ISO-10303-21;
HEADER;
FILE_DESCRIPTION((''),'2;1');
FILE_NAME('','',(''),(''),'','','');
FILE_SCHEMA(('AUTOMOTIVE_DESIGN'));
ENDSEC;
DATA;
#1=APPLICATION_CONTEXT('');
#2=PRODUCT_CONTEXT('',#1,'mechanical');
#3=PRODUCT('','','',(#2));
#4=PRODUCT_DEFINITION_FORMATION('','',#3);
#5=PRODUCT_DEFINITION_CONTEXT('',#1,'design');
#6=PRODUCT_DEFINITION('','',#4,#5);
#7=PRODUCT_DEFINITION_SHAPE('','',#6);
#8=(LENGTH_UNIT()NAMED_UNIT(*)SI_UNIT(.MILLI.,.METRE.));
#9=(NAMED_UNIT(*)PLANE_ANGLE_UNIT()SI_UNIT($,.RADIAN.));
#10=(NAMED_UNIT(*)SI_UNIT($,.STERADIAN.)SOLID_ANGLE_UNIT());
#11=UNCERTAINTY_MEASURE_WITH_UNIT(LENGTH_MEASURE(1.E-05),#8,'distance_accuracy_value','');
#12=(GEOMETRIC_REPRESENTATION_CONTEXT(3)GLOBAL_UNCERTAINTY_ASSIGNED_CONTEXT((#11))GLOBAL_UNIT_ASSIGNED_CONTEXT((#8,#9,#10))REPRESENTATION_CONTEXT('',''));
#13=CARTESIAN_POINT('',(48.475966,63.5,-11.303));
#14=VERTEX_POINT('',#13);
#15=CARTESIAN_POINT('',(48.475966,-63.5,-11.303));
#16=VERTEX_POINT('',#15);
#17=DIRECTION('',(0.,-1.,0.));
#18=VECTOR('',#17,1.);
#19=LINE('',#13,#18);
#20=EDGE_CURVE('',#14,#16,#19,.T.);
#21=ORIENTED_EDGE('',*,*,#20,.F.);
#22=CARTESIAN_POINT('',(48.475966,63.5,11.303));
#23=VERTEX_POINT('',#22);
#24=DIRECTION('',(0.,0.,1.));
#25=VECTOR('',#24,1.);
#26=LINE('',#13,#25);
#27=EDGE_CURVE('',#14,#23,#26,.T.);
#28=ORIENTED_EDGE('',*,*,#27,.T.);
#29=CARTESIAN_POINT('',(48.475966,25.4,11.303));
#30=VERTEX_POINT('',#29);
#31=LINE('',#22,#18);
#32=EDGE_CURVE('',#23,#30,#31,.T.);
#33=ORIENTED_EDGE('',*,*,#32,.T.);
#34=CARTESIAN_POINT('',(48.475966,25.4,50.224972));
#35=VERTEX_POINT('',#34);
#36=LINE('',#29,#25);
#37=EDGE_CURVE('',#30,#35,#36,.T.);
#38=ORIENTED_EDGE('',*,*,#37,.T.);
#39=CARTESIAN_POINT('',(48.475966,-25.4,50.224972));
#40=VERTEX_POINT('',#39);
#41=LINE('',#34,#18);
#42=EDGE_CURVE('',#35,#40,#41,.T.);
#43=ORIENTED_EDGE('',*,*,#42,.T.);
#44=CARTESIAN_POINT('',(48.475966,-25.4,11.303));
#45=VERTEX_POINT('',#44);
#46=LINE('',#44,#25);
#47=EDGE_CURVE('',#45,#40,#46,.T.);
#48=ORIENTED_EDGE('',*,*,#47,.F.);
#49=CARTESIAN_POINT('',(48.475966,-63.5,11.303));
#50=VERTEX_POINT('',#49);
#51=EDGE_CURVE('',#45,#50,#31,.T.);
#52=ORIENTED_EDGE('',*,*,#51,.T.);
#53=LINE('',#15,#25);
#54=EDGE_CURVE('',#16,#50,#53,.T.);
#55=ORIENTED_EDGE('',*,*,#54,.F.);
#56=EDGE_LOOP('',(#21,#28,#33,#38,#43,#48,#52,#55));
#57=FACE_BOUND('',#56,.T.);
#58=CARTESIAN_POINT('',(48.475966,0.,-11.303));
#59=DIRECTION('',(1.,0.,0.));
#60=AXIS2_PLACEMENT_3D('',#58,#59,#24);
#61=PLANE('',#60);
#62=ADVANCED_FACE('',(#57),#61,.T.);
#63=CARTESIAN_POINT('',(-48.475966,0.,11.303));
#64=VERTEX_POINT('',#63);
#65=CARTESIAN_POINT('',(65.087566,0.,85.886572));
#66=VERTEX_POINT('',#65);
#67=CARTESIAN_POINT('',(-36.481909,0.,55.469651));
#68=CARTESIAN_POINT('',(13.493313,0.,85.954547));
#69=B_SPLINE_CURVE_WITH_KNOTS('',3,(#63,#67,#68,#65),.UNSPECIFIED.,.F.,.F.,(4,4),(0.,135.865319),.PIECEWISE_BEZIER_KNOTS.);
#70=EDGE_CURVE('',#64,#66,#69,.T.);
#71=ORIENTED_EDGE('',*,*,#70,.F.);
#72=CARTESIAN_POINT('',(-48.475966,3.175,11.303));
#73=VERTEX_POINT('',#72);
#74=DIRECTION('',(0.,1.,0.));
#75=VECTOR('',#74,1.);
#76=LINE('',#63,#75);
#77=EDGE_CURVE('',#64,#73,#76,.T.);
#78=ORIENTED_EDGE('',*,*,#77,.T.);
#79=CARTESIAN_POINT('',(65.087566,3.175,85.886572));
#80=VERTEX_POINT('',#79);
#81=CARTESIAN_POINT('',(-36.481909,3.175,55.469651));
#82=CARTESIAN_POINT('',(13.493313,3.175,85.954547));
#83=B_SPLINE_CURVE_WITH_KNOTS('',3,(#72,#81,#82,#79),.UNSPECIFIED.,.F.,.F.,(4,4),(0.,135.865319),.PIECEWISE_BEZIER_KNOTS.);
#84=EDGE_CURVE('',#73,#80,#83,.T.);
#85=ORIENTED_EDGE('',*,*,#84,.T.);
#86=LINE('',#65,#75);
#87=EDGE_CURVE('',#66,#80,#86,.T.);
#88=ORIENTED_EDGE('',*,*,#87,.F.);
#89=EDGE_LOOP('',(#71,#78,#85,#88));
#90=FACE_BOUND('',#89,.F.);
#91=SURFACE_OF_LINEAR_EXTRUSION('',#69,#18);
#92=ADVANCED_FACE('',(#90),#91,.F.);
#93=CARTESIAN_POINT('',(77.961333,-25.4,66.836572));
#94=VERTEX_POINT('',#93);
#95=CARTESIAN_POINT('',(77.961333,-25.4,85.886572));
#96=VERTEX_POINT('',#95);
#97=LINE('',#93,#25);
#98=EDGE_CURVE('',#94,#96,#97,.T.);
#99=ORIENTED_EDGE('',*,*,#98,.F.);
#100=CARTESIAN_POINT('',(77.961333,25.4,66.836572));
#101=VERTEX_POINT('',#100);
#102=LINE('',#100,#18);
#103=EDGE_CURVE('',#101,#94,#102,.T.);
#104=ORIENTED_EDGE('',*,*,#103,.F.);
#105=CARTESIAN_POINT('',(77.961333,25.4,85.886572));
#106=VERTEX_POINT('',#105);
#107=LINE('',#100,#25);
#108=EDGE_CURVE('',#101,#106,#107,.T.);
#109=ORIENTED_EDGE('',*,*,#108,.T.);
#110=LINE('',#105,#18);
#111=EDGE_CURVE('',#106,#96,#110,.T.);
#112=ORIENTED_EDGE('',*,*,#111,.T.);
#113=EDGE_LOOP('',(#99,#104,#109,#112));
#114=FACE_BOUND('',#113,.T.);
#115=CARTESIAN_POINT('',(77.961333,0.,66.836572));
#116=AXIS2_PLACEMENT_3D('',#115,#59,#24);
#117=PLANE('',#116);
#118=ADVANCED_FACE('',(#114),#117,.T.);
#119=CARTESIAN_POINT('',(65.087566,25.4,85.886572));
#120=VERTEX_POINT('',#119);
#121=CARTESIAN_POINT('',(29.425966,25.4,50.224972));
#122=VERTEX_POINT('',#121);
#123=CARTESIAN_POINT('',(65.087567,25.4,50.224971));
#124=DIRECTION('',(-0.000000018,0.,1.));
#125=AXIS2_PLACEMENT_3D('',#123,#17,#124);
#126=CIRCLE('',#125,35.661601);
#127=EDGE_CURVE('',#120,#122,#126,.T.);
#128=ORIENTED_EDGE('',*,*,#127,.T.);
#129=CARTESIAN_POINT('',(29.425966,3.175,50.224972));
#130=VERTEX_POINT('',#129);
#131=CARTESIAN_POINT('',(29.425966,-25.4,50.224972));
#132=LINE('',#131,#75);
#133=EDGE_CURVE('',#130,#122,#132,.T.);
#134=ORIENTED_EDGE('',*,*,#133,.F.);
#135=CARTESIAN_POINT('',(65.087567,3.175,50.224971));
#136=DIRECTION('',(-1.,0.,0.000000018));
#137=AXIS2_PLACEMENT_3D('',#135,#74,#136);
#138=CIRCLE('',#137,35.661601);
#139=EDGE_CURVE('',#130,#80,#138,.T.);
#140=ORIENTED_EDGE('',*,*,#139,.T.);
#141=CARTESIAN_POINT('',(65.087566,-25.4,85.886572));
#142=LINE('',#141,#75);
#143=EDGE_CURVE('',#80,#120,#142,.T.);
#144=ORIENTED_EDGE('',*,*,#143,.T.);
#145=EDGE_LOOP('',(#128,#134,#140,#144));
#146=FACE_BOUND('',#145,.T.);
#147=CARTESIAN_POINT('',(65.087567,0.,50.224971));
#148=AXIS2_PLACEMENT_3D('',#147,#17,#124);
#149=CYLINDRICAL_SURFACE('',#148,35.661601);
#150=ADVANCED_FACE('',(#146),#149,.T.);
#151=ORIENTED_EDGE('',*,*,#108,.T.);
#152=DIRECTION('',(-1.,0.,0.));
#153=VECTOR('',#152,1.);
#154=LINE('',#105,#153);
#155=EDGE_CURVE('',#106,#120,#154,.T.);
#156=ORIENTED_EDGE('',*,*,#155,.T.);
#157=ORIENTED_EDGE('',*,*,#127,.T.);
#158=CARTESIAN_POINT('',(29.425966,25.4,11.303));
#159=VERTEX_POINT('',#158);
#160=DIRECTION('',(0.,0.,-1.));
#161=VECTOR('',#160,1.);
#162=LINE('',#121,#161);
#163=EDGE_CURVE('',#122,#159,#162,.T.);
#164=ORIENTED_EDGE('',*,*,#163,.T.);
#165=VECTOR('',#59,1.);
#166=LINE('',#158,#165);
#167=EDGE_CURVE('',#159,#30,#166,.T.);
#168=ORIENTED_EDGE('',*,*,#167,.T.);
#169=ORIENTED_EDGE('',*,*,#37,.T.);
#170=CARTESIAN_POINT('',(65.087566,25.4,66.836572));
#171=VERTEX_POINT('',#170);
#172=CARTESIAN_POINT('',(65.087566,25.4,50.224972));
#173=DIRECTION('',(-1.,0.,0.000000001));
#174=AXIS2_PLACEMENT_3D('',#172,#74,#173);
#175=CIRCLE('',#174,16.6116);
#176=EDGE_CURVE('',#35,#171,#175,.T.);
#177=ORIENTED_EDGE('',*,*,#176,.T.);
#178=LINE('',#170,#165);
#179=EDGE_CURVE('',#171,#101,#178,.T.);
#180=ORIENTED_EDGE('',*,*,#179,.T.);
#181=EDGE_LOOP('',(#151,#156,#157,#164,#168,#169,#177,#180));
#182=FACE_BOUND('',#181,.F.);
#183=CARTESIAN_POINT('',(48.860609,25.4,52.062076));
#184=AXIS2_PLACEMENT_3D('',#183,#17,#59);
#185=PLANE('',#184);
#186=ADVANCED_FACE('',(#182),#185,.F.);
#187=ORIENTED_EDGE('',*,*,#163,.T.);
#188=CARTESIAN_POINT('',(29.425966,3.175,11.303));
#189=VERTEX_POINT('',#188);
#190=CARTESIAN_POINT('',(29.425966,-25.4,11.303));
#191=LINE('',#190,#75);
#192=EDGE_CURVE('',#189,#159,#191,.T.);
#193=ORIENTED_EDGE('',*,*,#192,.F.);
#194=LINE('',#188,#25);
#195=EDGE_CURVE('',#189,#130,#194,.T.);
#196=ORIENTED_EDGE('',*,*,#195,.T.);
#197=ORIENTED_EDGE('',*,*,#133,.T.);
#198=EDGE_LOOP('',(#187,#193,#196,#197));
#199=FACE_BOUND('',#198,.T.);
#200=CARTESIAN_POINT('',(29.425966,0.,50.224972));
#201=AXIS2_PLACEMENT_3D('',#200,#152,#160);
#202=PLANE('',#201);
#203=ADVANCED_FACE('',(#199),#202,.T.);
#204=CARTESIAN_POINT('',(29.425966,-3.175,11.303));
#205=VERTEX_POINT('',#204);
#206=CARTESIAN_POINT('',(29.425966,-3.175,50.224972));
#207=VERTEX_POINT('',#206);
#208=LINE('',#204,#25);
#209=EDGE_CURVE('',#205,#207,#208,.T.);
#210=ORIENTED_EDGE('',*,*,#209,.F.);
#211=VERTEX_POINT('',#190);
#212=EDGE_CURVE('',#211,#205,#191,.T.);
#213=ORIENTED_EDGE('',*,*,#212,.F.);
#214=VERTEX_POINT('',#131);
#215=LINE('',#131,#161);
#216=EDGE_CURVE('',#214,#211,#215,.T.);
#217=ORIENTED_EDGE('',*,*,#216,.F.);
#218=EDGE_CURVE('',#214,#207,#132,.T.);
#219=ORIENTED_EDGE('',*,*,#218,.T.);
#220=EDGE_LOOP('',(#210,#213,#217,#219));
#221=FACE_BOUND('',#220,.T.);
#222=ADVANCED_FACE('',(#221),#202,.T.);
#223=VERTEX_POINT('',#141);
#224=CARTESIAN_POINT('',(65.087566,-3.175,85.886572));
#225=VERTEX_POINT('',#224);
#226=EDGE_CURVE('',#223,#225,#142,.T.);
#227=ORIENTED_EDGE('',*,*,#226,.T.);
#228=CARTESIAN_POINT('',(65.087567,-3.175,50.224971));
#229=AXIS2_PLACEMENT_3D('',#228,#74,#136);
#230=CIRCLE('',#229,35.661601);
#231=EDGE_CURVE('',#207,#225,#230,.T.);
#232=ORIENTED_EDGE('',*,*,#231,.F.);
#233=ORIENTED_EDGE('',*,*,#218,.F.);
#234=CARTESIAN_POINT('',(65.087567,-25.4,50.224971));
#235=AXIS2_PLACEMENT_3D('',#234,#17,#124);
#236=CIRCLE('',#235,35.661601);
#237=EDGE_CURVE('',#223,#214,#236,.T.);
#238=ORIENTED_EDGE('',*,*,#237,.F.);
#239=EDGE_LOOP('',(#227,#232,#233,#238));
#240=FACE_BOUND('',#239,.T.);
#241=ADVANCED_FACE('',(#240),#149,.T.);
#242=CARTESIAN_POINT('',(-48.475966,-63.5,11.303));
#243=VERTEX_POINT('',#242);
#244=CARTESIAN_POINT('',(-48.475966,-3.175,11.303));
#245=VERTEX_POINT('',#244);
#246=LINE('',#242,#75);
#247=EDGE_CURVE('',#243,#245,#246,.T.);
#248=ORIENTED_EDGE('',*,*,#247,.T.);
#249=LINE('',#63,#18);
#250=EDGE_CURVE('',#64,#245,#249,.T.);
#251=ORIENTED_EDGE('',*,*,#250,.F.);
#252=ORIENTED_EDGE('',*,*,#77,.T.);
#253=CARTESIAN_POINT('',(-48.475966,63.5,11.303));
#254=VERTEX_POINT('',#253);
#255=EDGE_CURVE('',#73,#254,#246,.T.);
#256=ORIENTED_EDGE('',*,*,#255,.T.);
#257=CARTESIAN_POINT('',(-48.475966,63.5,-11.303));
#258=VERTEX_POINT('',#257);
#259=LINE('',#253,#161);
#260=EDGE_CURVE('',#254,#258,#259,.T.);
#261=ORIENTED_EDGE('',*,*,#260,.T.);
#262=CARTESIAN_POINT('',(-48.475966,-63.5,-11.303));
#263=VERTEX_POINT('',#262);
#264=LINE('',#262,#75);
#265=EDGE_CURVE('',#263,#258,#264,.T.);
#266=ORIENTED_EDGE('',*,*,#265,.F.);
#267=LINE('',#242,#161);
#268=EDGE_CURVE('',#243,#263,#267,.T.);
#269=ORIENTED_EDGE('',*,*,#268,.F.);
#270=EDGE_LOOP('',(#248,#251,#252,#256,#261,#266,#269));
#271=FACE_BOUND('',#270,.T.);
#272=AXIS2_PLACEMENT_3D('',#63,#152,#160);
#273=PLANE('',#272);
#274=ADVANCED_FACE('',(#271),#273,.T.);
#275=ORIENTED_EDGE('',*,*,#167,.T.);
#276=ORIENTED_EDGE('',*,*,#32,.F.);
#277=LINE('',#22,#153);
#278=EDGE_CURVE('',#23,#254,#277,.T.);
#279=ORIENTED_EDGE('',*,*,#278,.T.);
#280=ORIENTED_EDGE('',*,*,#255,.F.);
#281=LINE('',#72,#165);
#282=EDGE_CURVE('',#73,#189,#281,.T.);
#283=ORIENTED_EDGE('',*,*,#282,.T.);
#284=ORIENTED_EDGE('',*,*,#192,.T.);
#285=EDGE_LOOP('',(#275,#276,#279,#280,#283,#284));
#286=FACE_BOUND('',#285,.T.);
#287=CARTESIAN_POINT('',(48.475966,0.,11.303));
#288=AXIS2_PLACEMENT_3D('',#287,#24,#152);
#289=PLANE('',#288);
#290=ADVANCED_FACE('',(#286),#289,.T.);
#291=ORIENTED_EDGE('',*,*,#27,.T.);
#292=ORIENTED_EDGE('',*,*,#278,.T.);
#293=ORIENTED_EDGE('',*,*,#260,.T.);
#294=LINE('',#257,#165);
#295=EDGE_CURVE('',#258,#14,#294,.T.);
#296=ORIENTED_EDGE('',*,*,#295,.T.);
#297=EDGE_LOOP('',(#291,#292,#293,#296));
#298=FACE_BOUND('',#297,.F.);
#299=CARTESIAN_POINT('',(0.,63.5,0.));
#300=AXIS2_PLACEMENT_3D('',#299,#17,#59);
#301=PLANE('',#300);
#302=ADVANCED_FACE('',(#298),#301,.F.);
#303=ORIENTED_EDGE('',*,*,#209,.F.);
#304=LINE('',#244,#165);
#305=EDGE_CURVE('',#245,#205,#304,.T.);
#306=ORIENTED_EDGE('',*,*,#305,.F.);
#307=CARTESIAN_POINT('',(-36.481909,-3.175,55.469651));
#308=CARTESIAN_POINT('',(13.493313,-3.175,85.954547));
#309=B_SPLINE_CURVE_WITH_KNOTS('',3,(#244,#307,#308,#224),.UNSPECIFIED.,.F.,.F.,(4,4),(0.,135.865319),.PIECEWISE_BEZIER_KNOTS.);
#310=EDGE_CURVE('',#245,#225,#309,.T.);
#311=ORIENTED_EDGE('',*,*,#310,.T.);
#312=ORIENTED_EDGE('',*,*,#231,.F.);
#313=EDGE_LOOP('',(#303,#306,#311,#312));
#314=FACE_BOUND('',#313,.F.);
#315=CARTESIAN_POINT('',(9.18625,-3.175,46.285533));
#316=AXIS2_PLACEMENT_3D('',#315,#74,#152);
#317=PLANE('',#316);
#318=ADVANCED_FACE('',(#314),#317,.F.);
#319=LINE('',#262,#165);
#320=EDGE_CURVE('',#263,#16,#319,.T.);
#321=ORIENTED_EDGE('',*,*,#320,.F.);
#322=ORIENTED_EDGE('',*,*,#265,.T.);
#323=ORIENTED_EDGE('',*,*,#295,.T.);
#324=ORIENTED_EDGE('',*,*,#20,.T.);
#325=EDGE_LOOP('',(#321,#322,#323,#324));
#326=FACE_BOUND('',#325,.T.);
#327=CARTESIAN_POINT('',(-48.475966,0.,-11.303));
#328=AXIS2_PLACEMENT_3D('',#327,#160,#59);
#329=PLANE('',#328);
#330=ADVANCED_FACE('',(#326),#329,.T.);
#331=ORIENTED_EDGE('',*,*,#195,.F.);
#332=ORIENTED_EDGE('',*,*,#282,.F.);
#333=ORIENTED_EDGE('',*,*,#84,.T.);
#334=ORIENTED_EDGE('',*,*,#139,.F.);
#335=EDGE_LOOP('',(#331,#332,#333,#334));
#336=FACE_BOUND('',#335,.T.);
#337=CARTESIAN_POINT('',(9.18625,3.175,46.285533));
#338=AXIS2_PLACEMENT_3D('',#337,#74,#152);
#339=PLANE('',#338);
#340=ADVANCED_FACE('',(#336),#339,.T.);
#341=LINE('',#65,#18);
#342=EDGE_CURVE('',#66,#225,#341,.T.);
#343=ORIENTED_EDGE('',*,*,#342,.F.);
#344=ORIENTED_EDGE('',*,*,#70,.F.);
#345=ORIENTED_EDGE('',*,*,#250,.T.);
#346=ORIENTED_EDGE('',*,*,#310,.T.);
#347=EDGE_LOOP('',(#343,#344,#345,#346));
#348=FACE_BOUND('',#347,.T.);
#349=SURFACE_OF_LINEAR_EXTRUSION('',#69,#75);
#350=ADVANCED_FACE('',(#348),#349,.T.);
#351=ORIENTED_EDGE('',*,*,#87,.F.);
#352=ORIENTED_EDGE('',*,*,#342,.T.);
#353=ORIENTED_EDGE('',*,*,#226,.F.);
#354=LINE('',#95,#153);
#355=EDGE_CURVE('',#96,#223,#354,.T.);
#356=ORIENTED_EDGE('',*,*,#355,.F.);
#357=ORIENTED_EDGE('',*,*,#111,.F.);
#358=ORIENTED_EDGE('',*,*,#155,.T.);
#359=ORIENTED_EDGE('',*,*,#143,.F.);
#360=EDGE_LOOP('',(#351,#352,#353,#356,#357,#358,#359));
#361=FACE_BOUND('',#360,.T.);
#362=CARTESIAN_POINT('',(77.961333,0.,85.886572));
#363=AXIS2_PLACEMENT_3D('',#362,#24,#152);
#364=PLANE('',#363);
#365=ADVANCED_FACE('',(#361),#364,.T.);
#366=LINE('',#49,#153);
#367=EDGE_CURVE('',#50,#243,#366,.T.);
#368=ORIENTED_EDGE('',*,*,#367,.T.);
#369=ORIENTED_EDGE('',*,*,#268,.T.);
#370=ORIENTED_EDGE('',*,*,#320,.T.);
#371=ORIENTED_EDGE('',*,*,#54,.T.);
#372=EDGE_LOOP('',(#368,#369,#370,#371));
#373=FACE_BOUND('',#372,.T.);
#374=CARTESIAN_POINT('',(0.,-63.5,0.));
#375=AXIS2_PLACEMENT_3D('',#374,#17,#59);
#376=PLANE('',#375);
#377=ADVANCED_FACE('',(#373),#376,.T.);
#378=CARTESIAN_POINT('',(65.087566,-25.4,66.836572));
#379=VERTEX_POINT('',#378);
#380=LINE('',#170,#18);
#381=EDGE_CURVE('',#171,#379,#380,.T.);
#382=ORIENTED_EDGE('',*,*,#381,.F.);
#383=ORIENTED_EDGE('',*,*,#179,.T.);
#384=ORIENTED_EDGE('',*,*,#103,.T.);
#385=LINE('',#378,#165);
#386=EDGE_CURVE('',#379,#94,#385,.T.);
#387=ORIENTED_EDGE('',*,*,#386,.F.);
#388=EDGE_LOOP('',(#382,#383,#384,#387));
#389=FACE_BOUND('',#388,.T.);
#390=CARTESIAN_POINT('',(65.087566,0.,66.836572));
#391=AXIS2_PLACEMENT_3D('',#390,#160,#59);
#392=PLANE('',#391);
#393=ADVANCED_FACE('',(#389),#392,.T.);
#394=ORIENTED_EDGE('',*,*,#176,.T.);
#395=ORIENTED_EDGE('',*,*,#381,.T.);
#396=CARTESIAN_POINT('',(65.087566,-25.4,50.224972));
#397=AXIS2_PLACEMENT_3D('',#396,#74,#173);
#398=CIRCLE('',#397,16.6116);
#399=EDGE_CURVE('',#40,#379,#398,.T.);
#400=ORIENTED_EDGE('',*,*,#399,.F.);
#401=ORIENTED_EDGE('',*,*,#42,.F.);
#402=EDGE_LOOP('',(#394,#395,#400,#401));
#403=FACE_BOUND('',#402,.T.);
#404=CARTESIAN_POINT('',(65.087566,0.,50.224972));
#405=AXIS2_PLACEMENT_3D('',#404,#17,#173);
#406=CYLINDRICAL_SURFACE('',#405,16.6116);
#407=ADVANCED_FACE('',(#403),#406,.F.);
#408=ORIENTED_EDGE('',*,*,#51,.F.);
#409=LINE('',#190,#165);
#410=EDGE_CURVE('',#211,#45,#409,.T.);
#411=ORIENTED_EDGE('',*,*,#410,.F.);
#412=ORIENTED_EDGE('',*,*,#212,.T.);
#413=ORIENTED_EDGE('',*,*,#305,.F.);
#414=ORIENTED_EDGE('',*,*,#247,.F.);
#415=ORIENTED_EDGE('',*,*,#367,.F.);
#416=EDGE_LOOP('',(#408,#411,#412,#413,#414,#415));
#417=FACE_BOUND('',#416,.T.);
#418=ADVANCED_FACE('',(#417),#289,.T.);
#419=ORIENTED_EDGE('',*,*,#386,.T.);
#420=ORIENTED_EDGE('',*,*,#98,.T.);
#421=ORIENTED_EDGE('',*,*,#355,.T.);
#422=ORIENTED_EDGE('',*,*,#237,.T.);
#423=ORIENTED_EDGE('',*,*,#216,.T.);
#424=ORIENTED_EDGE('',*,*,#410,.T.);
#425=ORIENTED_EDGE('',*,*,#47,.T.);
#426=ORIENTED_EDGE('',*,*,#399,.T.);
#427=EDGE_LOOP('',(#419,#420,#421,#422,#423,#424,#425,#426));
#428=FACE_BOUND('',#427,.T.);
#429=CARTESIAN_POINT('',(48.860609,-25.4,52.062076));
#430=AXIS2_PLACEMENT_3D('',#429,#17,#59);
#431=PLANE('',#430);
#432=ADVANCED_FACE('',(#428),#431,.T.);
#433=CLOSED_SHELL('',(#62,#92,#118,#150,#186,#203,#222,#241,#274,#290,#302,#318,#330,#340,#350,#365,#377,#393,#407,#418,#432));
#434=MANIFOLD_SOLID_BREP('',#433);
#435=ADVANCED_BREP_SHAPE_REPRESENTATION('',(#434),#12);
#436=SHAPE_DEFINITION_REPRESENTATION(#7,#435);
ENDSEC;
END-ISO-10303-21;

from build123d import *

# Parameters (mm, degrees)
F1_DEPTH = 63.5
F2_DEPTH = 25.4
F3_DEPTH = 3.175


with BuildPart() as f1:
    # F0 (on Front) → F1 (new body, symmetric)
    with BuildSketch(Plane.XZ):
        Polygon((-48.475966, -11.303), (48.475966, -11.303), (48.475966, 11.303), (29.425966, 11.303), (-48.475966, 11.303), align=None)
    extrude(amount=F1_DEPTH, both=True)

    # F0 (on Front) → F2 (join, symmetric)
    with BuildSketch(Plane.XZ):
        with BuildLine():
            Line((29.425966, 11.303), (48.475966, 11.303))
            Line((48.475966, 11.303), (48.475966, 50.224972))
            ThreePointArc((48.475966, 50.224972), (53.341391, 61.971147), (65.087566, 66.836572))
            Line((65.087566, 66.836572), (77.961333, 66.836572))
            Line((77.961333, 66.836572), (77.961333, 85.886572))
            Line((77.961333, 85.886572), (65.087566, 85.886572))
            ThreePointArc((65.087566, 85.886572), (39.871007, 75.441531), (29.425966, 50.224972))
            Line((29.425966, 50.224972), (29.425966, 11.303))
        make_face()
    extrude(amount=F2_DEPTH, both=True)

    # F0 (on Front) → F3 (join, symmetric)
    with BuildSketch(Plane.XZ):
        with BuildLine():
            add(Edge.make_bspline(
                [(-48.475966, 11.303), (-36.481909, 55.469651), (13.493313, 85.954547), (65.087566, 85.886572)],
                knots=[0, 0, 0, 0, 135.865319, 135.865319, 135.865319, 135.865319], degree=3))
            Line((-48.475966, 11.303), (29.425966, 11.303))
            Line((29.425966, 11.303), (29.425966, 50.224972))
            ThreePointArc((29.425966, 50.224972), (39.871007, 75.441531), (65.087566, 85.886572))
        make_face()
    extrude(amount=F3_DEPTH, both=True)


solid = f1.part
